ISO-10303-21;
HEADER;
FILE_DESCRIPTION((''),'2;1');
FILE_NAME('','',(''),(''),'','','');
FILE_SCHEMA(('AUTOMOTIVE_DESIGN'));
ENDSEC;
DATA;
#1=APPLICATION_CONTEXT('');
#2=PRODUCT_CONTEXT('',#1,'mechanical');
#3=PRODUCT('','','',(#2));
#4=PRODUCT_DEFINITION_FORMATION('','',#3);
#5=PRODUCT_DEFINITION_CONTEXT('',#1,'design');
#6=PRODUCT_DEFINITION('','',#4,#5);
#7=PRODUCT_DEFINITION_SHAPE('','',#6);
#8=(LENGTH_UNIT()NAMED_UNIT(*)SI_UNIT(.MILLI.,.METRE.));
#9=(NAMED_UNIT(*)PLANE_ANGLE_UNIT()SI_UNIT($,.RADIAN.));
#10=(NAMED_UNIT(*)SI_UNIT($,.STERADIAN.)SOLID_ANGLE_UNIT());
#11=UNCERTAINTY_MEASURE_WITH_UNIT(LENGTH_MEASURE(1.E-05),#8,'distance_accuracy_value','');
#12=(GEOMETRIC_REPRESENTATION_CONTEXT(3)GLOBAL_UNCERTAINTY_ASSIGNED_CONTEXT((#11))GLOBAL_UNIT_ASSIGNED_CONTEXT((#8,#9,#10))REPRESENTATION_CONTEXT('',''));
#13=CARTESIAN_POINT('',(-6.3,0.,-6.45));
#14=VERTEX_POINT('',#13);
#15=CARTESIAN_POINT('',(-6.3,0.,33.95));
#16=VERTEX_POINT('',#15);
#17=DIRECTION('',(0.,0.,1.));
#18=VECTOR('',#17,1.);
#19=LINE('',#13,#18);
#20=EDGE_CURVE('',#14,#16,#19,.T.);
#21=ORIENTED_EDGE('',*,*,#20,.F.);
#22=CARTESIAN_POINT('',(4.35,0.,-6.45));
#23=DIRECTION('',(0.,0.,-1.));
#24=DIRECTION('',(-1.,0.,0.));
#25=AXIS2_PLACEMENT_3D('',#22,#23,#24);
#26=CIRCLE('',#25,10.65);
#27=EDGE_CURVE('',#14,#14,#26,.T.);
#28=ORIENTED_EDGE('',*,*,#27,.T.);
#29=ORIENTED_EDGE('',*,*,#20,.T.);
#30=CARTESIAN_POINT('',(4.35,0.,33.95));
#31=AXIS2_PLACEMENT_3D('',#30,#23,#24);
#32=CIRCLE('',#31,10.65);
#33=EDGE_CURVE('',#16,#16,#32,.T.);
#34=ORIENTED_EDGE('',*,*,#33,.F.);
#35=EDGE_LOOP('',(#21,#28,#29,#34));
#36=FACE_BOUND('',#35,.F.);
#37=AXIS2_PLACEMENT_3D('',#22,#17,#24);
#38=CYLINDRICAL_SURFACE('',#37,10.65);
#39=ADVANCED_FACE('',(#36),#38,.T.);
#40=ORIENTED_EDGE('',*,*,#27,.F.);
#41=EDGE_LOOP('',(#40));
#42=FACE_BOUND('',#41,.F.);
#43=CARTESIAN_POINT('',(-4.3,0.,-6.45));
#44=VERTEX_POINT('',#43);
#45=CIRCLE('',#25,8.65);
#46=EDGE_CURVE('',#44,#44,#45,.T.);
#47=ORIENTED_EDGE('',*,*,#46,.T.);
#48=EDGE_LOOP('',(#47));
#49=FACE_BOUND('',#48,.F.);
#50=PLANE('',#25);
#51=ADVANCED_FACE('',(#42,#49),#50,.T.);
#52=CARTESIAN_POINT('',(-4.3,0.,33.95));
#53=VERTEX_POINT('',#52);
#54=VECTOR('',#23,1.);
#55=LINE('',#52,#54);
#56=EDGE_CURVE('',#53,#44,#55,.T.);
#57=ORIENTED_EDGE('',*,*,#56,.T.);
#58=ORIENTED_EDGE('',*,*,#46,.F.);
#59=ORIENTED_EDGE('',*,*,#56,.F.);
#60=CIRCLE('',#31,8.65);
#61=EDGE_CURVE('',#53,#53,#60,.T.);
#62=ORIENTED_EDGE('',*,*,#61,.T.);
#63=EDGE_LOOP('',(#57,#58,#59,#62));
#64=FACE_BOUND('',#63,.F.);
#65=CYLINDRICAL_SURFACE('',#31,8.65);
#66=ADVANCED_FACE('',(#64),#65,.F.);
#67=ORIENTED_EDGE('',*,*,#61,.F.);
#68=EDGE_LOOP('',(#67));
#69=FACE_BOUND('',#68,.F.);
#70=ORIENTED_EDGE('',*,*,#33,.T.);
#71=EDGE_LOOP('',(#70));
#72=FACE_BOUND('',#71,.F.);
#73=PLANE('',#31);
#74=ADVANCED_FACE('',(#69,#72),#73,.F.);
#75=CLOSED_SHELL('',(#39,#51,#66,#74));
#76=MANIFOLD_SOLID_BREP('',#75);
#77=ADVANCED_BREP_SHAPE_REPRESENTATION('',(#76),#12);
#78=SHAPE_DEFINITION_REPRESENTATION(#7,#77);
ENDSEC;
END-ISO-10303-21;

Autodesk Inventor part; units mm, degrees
ref_plane "YZ Plane" through (0, 0, 0) normal (1, 0, 0) x (0, 1, 0)
ref_plane "XZ Plane" through (0, 0, 0) normal (0, 1, 0) x (-1, 0, 0)
ref_plane "XY Plane" through (0, 0, 0) normal (0, 0, 1) x (1, 0, 0)
sketch "Sketch1" plane through (0, 0, 0) normal (0, 1, 0) x (-1, 0, 0)
  line L0 (6.3, 33.95) -> (4.3, 33.95)
  line L1 (4.3, 33.95) -> (4.3, -6.45)
  line L2 (4.3, -6.45) -> (6.3, -6.45)
  line L3 (6.3, -6.45) -> (6.3, 33.95)
  line L4 (-4.35, 3.5833) -> (-4.35, -8.1167)
  point P0 (0, 0)
  dimension "d0" = 2
  dimension "d1" = 40.4
  dimension "d2" = 21.3
revolve "Revolution1" add sketch "Sketch1" angle 360 about axis through (4.35, 0, 3.5833) along (0, 0, -1)
properties part number "TuboC"
